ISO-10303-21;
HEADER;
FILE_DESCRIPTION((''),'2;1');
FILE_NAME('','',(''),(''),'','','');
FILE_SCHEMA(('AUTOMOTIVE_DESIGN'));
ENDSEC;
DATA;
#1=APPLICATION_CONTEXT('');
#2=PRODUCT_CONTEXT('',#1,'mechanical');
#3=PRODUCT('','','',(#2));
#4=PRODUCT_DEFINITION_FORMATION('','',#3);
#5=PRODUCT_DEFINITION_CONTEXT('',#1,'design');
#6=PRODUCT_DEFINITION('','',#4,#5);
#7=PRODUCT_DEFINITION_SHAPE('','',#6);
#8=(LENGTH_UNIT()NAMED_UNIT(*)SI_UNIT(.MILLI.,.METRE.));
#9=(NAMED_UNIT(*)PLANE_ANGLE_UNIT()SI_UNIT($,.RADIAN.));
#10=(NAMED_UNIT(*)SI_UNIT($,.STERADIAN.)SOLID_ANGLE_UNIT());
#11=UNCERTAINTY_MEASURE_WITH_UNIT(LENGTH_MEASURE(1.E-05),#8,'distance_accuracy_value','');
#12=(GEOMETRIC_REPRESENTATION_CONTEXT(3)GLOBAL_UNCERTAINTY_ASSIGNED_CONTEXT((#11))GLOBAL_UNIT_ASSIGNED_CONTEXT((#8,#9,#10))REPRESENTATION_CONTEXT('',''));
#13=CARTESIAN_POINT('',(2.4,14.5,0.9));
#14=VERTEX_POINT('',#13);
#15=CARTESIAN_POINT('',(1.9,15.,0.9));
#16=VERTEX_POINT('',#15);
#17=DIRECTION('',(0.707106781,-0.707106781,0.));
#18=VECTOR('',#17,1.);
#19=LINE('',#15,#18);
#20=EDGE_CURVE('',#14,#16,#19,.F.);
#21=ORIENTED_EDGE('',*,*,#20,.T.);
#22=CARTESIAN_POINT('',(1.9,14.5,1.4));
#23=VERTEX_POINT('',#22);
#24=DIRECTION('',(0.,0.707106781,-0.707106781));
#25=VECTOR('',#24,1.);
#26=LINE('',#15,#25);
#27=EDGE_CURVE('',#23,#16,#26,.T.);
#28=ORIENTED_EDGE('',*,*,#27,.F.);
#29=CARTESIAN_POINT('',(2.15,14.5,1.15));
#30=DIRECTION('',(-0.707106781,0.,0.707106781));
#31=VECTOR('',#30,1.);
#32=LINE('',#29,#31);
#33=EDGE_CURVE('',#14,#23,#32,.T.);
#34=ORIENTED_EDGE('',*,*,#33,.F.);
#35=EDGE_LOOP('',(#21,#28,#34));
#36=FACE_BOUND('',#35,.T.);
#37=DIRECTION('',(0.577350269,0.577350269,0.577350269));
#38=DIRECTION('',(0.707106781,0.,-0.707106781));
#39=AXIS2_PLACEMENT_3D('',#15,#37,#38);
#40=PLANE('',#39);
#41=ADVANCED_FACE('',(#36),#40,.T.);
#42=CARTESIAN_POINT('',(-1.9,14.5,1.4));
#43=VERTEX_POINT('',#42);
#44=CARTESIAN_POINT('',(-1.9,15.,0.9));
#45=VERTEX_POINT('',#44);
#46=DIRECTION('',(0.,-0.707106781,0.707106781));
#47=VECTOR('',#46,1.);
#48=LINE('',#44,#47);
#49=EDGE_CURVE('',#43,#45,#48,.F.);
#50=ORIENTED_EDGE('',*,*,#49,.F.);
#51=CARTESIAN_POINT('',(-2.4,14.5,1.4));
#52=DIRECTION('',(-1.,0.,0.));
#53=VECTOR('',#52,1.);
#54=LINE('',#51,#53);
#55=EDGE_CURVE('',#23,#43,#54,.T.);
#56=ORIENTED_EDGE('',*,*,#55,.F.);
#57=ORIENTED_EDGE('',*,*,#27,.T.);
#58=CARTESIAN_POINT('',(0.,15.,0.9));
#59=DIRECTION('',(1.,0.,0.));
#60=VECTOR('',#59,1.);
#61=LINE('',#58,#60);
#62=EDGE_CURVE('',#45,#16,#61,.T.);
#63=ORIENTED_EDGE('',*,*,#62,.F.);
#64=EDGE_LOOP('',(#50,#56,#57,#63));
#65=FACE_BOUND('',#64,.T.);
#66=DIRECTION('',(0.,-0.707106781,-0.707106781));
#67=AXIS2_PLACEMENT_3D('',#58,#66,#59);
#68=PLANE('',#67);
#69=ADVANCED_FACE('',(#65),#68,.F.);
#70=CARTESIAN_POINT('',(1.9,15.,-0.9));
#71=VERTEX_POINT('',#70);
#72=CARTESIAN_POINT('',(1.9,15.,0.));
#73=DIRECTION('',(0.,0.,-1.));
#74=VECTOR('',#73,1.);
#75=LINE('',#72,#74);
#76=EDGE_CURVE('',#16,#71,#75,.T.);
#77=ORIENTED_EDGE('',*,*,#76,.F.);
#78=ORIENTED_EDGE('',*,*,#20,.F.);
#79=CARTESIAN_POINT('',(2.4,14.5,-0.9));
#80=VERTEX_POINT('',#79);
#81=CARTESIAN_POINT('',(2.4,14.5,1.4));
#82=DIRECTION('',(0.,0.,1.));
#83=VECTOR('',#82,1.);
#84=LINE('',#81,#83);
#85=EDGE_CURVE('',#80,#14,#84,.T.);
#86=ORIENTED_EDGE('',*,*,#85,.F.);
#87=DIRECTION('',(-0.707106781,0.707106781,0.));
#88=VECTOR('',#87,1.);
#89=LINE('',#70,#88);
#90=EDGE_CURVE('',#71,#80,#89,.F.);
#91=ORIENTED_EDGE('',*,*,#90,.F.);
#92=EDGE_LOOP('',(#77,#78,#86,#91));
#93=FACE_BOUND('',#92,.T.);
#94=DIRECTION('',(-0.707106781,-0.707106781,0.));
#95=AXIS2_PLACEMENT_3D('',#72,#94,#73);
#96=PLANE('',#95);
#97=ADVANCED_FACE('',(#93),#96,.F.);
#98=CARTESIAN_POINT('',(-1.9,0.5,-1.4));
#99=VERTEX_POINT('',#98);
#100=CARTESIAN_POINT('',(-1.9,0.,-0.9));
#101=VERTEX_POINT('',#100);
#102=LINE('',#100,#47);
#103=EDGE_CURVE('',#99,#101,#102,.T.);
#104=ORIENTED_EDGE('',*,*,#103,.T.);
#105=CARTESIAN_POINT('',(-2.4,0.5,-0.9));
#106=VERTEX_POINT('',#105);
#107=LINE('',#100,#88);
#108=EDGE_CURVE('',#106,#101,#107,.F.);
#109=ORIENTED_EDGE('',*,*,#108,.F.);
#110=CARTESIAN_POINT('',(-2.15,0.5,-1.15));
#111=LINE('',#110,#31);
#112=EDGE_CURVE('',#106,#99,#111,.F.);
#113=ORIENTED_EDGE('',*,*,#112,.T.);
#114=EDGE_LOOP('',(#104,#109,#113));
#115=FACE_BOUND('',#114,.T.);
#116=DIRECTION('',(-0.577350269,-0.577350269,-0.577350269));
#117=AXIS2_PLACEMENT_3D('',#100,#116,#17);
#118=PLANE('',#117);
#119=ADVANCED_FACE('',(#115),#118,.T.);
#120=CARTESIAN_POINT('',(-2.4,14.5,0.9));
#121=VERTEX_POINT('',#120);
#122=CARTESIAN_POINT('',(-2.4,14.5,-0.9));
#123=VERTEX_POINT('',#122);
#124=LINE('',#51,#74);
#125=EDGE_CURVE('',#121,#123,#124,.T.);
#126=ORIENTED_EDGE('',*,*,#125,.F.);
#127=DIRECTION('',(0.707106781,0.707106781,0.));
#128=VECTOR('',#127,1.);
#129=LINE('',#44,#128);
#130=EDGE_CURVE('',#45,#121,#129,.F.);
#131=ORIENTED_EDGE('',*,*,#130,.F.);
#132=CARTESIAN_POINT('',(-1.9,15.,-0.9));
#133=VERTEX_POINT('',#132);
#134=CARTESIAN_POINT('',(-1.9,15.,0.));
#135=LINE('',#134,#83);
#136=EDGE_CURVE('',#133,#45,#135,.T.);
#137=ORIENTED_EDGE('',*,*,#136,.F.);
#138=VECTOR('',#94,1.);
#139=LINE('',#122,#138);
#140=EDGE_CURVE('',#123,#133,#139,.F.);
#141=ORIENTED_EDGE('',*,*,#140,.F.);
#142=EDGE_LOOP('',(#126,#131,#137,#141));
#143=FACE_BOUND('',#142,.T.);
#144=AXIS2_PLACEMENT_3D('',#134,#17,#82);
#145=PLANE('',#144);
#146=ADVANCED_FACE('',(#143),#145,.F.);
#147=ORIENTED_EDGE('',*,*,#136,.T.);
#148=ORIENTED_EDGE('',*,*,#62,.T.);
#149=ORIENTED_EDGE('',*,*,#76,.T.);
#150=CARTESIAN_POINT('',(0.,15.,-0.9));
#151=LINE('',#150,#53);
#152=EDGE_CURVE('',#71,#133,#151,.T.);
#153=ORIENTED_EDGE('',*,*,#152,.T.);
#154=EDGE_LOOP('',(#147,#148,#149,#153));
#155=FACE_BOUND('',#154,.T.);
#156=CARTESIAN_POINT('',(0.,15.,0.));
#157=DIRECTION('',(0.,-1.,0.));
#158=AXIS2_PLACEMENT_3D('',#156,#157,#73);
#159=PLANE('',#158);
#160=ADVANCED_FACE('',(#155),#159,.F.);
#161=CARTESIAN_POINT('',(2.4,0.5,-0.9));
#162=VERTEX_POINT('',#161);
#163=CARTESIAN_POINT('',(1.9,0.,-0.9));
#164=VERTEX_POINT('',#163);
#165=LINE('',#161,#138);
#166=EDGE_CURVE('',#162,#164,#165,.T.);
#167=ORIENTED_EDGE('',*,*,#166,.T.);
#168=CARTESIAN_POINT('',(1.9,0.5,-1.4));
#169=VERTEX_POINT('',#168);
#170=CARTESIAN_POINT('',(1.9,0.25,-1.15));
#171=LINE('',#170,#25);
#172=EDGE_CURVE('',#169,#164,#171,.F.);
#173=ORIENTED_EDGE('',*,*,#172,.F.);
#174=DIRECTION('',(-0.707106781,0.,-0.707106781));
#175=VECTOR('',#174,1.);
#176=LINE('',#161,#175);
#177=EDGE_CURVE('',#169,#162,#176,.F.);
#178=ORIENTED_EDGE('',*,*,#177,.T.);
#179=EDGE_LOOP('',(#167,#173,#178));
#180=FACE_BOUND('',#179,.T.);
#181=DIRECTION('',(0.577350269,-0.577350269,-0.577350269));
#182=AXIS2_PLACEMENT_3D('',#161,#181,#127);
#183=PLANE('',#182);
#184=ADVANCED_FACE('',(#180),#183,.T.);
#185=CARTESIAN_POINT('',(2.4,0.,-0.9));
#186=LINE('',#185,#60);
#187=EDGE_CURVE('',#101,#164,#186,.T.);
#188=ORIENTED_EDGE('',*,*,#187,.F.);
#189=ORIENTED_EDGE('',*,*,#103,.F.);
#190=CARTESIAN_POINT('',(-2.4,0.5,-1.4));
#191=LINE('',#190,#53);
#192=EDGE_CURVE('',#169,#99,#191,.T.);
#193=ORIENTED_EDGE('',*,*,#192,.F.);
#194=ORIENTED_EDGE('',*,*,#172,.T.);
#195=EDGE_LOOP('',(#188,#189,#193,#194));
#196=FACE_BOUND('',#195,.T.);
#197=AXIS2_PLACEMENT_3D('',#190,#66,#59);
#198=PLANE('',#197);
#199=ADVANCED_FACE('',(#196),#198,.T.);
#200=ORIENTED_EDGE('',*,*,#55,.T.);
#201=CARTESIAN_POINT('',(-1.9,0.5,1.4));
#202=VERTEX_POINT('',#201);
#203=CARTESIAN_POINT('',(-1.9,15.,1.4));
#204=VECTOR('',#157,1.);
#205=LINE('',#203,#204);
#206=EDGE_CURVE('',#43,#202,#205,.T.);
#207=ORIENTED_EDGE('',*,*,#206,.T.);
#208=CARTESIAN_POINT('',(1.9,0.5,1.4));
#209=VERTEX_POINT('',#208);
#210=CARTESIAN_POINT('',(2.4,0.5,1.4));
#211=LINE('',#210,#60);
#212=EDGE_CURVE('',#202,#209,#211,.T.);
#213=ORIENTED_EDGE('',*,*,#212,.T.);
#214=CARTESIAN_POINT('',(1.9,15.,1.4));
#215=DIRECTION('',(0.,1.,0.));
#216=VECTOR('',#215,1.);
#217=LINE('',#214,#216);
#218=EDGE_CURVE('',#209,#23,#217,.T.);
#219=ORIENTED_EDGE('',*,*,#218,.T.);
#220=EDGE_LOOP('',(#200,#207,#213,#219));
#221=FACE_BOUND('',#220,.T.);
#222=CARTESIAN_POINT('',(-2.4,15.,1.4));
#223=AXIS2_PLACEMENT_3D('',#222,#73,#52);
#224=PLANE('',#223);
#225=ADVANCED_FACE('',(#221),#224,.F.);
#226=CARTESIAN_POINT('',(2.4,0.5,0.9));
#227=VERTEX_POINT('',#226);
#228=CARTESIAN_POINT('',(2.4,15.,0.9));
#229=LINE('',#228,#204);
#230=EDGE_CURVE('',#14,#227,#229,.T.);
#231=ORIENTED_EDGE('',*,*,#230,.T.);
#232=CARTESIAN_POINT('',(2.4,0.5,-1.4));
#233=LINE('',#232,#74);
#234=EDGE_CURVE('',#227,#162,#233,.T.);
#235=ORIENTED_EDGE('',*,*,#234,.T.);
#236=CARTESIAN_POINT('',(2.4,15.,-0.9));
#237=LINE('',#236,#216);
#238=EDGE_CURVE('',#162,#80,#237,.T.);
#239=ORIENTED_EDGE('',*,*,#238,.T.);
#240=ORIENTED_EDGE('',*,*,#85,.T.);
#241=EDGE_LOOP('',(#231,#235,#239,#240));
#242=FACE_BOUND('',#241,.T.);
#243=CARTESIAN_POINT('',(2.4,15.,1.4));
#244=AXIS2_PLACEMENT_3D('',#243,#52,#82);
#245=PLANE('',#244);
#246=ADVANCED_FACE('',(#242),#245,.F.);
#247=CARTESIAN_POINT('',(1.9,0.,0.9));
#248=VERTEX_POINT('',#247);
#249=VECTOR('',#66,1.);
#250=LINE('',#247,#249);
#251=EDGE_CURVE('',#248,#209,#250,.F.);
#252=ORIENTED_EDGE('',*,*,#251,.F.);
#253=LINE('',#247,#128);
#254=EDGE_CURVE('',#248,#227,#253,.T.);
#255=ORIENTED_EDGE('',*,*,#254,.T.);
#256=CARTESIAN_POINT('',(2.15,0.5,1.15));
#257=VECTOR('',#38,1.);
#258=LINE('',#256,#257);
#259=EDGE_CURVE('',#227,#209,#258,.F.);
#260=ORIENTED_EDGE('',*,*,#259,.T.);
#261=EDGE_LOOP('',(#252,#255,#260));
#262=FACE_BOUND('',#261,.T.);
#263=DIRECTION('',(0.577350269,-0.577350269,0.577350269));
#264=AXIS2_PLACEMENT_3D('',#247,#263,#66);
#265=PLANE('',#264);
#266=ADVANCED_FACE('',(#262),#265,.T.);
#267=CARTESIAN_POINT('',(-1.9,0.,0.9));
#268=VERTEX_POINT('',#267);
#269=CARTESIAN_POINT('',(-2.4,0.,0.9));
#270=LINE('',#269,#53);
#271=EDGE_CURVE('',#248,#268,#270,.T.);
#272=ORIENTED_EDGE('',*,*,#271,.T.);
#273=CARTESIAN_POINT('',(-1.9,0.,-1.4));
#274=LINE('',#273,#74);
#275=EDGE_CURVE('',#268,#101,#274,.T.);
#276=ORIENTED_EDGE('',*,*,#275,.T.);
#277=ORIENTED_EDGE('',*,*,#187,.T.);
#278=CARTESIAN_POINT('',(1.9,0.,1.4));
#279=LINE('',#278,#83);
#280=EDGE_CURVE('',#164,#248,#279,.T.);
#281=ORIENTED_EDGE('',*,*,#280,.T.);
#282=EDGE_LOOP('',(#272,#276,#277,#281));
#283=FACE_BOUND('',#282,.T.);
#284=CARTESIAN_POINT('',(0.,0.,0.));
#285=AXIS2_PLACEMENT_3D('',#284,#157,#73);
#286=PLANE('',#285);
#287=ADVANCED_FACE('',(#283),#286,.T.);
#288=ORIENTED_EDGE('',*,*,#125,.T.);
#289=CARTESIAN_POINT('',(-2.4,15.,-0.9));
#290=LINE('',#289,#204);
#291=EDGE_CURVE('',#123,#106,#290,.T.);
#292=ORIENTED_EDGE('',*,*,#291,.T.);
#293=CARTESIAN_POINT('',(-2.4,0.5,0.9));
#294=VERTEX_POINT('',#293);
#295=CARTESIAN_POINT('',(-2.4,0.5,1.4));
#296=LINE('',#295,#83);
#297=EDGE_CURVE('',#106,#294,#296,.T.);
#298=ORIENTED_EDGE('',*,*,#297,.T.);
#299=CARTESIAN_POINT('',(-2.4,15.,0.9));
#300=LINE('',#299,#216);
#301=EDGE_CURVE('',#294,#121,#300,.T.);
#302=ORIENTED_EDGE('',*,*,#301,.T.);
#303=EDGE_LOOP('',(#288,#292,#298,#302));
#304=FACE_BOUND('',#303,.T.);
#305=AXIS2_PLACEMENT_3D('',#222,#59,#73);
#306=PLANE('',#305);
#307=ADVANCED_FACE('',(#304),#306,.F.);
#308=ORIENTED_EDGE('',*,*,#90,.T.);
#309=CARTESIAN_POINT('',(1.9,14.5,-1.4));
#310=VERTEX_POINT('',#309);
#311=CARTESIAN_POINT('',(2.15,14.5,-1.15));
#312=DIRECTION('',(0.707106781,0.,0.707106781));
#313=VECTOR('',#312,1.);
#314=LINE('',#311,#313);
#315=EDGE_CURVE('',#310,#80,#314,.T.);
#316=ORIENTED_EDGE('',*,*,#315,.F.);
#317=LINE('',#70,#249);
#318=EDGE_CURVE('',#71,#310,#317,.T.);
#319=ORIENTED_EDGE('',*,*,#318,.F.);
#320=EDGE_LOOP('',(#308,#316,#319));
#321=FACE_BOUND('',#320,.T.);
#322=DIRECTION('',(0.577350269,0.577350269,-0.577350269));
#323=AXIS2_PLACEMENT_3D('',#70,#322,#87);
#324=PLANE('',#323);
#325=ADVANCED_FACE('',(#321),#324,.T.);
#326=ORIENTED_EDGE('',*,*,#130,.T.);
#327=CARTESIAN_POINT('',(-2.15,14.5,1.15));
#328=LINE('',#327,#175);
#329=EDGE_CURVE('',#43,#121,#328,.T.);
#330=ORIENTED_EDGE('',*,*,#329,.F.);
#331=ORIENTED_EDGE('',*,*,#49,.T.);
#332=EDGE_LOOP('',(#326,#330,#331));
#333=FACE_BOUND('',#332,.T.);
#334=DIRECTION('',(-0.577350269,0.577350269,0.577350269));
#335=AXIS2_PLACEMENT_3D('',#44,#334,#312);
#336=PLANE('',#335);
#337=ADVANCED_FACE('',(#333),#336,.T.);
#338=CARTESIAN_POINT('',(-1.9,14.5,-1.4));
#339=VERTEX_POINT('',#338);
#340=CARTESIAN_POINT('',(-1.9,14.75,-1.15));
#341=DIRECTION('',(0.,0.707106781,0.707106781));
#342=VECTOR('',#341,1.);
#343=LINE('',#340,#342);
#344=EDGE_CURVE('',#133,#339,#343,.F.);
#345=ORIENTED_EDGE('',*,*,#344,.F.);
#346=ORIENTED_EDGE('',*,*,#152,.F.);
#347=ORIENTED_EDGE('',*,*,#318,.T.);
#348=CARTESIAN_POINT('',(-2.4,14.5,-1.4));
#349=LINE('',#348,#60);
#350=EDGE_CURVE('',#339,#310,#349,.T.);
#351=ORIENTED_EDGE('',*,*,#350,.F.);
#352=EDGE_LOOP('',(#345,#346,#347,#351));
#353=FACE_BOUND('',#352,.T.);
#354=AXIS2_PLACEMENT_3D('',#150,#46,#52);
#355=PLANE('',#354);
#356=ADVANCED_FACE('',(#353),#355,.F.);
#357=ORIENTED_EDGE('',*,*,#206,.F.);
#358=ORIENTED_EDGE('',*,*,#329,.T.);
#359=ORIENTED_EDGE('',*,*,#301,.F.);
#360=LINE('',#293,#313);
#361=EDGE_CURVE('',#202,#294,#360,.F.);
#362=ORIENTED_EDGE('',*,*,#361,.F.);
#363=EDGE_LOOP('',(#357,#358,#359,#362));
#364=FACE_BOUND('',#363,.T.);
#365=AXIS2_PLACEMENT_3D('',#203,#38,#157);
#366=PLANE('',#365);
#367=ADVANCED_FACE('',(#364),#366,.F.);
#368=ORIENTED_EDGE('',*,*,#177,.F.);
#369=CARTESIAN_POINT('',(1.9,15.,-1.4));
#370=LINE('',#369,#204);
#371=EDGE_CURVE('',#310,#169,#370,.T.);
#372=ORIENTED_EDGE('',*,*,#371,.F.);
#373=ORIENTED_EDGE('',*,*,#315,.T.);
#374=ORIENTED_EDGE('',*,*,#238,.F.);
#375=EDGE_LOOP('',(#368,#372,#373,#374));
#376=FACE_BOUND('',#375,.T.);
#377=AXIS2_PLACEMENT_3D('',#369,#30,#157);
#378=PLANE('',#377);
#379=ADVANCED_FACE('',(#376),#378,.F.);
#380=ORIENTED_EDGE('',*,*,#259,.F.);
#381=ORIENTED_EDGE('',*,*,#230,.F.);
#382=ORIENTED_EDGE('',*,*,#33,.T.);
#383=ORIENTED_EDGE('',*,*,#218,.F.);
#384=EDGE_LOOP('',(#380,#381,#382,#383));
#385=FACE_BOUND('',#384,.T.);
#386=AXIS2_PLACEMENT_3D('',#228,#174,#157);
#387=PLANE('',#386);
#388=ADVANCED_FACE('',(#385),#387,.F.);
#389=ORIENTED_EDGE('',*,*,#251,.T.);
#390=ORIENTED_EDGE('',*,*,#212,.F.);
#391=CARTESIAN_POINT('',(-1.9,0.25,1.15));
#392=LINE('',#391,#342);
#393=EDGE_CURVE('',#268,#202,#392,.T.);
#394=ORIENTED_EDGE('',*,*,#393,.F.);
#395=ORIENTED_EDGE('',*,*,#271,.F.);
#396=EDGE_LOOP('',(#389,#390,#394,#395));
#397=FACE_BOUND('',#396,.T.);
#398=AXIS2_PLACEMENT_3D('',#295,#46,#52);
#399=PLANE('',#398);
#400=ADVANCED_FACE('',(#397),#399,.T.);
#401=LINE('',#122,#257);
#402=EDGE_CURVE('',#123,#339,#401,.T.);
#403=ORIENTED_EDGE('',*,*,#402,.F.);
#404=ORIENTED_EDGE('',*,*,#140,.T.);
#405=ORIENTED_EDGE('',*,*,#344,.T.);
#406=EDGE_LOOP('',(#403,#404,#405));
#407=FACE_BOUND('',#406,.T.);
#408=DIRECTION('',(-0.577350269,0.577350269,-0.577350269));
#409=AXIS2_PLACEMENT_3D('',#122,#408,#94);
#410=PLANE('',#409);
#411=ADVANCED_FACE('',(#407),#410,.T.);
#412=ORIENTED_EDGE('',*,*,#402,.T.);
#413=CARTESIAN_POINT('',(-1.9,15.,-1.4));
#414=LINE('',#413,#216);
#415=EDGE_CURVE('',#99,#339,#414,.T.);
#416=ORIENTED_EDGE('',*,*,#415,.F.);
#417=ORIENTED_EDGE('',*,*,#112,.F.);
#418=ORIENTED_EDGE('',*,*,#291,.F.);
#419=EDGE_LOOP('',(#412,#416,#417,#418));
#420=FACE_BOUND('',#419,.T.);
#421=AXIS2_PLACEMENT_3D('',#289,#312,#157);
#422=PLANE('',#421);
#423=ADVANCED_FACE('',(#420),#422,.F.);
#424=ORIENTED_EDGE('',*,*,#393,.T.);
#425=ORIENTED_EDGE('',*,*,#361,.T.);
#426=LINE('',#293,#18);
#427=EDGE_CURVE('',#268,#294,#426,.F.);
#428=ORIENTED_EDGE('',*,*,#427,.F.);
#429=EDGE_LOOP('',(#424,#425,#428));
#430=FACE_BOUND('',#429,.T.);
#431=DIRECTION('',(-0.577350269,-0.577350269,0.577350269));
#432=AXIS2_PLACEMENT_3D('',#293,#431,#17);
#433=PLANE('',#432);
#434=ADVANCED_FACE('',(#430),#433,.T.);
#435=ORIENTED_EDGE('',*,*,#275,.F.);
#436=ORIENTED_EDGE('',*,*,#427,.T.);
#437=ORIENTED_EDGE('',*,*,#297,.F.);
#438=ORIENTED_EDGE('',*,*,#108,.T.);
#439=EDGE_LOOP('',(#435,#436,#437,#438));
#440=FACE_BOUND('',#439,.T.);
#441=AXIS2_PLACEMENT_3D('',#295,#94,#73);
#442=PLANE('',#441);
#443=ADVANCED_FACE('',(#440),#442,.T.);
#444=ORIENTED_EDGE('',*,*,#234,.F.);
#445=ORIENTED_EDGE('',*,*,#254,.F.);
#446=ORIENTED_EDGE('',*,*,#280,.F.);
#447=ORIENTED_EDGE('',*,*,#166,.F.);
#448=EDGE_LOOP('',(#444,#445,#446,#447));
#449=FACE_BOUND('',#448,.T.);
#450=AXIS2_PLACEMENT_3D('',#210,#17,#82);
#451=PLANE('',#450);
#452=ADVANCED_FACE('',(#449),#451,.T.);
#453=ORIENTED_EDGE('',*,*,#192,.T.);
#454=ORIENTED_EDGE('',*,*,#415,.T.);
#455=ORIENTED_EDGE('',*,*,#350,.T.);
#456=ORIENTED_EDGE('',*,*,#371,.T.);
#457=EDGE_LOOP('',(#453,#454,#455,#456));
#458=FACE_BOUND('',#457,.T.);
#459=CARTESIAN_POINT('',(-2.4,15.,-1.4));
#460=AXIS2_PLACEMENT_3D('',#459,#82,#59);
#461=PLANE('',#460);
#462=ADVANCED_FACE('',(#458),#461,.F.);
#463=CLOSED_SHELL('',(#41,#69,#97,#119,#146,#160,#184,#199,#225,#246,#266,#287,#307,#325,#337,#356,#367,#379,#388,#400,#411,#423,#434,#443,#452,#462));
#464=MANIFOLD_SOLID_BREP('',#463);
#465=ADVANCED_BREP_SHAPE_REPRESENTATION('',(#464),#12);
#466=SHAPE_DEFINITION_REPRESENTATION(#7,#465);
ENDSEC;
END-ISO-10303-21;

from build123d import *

# Parameters (mm, degrees)
SKETCH1_W           = 4.8
SKETCH1_H           = 2.8
BOSS_EXTRUDE1_DEPTH = 15
CHAMFER1_SIZE       = 0.5


with BuildPart() as part:
    # Sketch1 → Boss-Extrude1 (new body)
    with BuildSketch(Plane(origin=(0, 0, 0), x_dir=(1, 0, 0), z_dir=(0, 1, 0))):
        Rectangle(SKETCH1_W, SKETCH1_H)
    extrude(amount=BOSS_EXTRUDE1_DEPTH)

    # Chamfer1
    chamfer1_edges = [part.edges().sort_by_distance(p)[0] for p in [
        (-2.4, 15, 0),
        (0, 15, 1.4),
        (2.4, 15, 0),
        (0, 0, 1.4),
        (-2.4, 0, 0),
        (0, 0, -1.4),
        (2.4, 0, 0),
        (0, 15, -1.4),
        (2.4, 7.5, 1.4),
        (-2.4, 7.5, 1.4),
        (-2.4, 7.5, -1.4),
        (2.4, 7.5, -1.4),
    ]]
    chamfer(chamfer1_edges, length=CHAMFER1_SIZE)


solid = part.part
